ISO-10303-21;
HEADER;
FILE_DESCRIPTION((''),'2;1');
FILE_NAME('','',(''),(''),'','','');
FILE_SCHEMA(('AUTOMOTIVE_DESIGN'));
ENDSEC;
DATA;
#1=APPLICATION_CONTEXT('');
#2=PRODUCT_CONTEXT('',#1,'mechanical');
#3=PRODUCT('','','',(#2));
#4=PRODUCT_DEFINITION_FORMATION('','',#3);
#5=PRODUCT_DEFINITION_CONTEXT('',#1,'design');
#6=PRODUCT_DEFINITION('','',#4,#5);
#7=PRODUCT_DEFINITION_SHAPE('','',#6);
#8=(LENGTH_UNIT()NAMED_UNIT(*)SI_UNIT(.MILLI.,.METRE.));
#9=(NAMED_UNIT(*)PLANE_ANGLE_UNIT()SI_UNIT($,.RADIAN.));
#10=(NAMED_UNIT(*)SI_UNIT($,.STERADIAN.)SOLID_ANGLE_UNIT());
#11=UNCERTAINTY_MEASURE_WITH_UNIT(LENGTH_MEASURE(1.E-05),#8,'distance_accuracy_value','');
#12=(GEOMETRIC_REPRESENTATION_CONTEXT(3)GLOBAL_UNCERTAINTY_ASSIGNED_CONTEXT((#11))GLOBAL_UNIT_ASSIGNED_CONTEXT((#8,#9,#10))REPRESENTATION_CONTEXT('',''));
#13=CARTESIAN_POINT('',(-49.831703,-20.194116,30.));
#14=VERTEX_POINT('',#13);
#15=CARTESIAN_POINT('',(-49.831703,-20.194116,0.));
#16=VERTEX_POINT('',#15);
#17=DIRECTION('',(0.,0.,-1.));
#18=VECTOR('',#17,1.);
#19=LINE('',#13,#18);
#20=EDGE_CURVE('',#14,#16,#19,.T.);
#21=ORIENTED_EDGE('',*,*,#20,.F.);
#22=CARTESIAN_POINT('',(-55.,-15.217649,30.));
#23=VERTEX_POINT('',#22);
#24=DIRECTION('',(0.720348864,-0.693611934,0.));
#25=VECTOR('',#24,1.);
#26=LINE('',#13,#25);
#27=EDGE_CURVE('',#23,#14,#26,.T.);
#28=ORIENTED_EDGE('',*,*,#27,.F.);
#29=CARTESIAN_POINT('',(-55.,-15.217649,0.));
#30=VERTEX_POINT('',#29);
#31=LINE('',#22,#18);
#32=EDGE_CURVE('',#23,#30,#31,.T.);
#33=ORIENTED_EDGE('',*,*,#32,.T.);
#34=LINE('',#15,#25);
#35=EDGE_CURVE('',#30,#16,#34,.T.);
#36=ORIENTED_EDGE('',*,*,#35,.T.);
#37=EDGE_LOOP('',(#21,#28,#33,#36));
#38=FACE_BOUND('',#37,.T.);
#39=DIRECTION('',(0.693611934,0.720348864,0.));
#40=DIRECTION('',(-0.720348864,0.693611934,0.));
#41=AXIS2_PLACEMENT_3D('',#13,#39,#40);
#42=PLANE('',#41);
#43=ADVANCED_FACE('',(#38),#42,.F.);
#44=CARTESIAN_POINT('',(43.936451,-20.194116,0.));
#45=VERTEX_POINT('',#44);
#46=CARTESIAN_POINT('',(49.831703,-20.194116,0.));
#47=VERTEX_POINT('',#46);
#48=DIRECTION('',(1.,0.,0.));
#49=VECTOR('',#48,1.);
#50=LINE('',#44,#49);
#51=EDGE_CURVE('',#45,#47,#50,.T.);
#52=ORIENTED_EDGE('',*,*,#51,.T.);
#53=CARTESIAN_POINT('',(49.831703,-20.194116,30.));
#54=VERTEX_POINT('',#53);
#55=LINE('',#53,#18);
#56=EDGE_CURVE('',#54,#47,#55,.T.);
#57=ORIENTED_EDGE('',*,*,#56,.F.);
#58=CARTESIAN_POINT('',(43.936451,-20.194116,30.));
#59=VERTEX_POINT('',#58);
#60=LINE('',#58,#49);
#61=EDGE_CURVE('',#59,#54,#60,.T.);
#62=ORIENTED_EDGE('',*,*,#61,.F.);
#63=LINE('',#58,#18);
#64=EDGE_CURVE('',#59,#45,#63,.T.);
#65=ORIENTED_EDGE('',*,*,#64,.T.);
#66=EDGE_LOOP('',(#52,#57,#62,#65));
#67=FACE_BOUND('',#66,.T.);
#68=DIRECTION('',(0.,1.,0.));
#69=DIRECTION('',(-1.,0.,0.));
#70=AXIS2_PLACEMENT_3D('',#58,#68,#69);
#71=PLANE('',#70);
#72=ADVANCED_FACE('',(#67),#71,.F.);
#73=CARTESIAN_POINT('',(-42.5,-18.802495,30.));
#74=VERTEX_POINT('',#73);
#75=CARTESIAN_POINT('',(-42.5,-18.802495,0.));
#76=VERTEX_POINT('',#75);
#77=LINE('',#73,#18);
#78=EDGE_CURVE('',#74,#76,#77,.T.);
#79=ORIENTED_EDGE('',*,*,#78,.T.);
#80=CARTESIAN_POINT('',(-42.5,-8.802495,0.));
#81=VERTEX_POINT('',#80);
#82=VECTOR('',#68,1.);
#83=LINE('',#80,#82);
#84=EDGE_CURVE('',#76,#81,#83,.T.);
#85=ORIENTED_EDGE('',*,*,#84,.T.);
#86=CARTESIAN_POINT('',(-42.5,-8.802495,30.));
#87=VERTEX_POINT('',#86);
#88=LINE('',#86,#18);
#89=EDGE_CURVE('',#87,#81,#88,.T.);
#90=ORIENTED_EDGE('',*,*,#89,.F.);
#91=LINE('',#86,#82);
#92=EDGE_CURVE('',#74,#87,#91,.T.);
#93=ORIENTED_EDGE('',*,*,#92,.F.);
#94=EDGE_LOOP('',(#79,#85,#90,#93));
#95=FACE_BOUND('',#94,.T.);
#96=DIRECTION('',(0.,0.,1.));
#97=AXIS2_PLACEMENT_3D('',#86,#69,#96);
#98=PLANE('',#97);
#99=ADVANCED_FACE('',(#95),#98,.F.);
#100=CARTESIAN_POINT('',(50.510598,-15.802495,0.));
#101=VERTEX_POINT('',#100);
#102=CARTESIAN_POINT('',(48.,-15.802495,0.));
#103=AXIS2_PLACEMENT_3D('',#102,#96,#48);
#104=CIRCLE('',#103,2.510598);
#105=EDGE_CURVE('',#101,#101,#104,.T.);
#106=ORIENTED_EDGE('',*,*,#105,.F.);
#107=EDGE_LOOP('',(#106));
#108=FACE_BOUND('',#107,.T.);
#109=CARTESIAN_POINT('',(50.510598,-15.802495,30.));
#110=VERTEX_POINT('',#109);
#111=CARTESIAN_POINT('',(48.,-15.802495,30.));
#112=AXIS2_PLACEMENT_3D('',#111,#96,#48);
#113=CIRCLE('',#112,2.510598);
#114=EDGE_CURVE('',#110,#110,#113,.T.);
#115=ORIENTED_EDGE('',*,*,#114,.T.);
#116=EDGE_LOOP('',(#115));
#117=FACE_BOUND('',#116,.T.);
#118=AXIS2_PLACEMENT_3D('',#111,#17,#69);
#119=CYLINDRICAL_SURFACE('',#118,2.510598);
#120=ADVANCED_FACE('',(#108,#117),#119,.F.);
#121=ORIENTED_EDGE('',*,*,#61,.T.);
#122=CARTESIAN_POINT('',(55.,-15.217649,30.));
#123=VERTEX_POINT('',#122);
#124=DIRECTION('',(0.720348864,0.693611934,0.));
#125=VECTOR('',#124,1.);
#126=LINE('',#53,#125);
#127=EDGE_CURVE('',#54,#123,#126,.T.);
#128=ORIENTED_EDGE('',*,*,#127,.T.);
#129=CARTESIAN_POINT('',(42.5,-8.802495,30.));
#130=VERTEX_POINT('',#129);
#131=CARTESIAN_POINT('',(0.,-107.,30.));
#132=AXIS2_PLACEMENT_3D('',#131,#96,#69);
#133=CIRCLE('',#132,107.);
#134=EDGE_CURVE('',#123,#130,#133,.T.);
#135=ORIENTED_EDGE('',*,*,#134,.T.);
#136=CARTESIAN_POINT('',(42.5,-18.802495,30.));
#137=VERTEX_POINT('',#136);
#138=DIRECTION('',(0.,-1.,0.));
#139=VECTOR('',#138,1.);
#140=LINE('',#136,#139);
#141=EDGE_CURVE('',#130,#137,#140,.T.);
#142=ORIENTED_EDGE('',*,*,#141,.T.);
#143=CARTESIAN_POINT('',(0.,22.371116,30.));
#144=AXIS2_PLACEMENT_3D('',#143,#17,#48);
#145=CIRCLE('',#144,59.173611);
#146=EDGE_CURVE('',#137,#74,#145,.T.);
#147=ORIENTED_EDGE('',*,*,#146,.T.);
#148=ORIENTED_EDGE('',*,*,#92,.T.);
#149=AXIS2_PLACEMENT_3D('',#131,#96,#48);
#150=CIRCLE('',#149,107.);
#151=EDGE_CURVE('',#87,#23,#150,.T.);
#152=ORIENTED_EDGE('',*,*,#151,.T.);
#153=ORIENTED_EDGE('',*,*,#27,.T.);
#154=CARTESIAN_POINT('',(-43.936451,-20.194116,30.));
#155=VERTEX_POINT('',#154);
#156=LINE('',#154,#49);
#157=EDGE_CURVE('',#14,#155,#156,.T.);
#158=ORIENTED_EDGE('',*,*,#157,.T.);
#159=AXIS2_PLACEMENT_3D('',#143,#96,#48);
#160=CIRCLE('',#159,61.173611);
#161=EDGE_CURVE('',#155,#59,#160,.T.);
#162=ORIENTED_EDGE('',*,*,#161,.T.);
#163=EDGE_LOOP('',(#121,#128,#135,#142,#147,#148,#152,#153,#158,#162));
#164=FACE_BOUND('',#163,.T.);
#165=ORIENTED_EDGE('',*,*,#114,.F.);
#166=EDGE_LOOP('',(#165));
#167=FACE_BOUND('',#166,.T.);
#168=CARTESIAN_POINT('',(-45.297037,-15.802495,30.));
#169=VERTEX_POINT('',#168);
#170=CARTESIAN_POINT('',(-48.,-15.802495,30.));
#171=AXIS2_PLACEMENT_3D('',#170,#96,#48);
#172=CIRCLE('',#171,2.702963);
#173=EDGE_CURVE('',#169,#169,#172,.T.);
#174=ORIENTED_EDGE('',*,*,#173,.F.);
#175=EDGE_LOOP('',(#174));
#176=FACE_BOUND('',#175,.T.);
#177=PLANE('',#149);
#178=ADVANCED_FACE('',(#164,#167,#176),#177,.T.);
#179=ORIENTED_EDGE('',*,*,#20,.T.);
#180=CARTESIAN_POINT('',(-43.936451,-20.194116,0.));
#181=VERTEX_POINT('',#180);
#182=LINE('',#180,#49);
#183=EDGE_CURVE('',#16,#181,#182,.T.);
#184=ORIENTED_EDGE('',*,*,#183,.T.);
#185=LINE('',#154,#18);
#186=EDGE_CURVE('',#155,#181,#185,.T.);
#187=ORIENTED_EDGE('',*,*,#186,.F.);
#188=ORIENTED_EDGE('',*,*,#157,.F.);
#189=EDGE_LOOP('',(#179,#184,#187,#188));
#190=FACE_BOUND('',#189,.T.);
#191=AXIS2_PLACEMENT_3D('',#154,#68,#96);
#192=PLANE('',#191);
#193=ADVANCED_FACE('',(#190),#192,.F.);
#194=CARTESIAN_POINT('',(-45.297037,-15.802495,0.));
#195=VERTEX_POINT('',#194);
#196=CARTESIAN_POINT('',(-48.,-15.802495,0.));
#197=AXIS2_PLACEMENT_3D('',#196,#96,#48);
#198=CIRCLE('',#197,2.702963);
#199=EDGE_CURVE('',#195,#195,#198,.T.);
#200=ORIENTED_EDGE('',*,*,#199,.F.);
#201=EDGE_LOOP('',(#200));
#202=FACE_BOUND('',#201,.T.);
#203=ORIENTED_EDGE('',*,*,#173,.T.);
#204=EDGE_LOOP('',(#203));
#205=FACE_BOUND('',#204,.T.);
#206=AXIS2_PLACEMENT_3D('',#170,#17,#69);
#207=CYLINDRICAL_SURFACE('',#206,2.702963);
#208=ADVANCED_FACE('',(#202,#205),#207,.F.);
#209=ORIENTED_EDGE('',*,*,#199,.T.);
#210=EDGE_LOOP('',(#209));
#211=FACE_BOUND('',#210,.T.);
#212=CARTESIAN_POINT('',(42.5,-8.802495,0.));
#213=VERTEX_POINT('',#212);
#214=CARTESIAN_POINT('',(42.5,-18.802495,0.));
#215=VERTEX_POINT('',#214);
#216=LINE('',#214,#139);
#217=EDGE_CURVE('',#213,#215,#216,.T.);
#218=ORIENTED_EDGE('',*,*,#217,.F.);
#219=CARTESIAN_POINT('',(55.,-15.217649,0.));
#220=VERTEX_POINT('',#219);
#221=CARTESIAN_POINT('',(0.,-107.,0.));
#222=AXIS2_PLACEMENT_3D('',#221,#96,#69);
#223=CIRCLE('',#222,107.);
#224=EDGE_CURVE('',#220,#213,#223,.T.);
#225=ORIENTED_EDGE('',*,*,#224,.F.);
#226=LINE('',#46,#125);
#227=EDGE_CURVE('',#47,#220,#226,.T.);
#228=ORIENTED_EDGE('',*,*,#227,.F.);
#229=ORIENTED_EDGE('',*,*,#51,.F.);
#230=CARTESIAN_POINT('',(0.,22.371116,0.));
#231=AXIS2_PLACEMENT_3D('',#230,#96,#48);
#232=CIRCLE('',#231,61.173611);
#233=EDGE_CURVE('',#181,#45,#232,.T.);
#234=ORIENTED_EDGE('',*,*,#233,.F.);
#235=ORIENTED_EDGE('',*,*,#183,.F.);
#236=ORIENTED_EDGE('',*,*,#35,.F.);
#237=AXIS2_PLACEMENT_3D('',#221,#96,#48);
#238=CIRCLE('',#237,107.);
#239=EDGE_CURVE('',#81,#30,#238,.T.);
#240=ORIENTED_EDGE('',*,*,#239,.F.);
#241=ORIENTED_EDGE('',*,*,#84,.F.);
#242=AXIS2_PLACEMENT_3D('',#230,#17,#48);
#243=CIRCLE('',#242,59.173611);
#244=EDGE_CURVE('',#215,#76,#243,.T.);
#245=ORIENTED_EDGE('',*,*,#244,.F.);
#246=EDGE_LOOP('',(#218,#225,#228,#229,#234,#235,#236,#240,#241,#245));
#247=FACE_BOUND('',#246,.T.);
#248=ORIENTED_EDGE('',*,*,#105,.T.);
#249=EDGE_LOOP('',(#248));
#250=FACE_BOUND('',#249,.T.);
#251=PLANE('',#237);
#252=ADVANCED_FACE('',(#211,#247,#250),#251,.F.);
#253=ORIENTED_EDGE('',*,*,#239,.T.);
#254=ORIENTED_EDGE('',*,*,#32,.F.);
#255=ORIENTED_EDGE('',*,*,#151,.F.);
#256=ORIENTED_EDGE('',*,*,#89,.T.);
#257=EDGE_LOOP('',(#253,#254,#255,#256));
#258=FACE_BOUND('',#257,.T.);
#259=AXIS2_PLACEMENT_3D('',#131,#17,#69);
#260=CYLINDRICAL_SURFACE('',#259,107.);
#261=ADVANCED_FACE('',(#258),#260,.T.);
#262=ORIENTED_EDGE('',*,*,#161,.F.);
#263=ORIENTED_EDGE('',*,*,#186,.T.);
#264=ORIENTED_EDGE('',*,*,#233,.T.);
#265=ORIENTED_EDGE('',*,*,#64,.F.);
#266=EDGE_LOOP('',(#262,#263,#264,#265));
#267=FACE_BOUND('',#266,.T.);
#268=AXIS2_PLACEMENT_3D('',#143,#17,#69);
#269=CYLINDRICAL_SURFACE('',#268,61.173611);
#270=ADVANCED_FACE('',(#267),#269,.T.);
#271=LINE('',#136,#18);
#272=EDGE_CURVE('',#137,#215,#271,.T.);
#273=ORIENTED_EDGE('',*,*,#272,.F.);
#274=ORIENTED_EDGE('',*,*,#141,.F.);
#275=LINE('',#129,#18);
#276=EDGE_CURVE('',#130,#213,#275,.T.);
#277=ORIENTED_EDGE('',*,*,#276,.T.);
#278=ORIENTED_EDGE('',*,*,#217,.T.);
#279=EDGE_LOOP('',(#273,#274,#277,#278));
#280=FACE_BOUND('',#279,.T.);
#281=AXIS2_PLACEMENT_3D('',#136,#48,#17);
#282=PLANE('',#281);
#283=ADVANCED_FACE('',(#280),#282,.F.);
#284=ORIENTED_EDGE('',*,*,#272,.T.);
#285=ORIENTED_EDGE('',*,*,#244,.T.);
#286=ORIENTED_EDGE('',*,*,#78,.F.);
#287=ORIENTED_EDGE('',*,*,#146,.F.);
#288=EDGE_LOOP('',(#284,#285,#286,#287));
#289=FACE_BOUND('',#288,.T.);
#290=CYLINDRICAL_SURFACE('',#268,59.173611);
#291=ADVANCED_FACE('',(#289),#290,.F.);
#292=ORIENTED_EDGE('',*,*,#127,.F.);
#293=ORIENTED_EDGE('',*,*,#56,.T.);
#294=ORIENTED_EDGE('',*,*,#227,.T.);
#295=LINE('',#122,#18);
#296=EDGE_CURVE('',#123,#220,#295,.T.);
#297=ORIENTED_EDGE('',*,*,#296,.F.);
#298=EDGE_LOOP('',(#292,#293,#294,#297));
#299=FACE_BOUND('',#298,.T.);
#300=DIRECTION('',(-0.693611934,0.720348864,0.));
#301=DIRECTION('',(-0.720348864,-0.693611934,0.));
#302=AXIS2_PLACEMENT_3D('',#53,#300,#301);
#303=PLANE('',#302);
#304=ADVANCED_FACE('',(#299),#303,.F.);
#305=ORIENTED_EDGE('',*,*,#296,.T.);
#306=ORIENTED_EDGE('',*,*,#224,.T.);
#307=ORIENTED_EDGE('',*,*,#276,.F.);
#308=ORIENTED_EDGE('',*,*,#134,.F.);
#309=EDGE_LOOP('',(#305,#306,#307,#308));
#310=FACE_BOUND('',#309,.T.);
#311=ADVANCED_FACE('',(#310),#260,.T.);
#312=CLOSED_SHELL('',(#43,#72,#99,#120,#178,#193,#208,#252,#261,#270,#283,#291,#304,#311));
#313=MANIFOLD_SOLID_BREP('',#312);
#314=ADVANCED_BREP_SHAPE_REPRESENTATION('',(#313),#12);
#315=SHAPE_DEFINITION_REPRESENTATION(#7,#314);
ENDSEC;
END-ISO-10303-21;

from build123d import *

# Parameters (mm, degrees)
SKETCH1_R           = 2.702962803
SKETCH1_R_2         = 2.510598202
BOSS_EXTRUDE1_DEPTH = 30


with BuildPart() as part:
    # Sketch1 → Boss-Extrude1 (new body)
    with BuildSketch(Plane.XY):
        with BuildLine():
            Line((-42.5, -8.80249494), (-42.5, -18.80249494))
            ThreePointArc((-42.5, -18.80249494), (0, -36.80249494), (42.5, -18.80249494))
            Line((42.5, -18.80249494), (42.5, -8.80249494))
            ThreePointArc((42.5, -8.80249494), (48.855409625, -11.804679997), (55, -15.217648755))
            Line((55, -15.217648755), (49.831703302, -20.194115642))
            Line((49.831703302, -20.194115642), (43.936451121, -20.194115642))
            ThreePointArc((43.936451121, -20.194115642), (0, -38.80249494), (-43.936451121, -20.194115642))
            Line((-43.936451121, -20.194115642), (-49.831703302, -20.194115642))
            Line((-49.831703302, -20.194115642), (-55, -15.217648755))
            ThreePointArc((-55, -15.217648755), (-48.855409625, -11.804679997), (-42.5, -8.80249494))
        make_face()
        with Locations((-48, -15.80249494)):
            Circle(SKETCH1_R, mode=Mode.SUBTRACT)
        with Locations((48, -15.80249494)):
            Circle(SKETCH1_R_2, mode=Mode.SUBTRACT)
    extrude(amount=BOSS_EXTRUDE1_DEPTH)


solid = part.part
